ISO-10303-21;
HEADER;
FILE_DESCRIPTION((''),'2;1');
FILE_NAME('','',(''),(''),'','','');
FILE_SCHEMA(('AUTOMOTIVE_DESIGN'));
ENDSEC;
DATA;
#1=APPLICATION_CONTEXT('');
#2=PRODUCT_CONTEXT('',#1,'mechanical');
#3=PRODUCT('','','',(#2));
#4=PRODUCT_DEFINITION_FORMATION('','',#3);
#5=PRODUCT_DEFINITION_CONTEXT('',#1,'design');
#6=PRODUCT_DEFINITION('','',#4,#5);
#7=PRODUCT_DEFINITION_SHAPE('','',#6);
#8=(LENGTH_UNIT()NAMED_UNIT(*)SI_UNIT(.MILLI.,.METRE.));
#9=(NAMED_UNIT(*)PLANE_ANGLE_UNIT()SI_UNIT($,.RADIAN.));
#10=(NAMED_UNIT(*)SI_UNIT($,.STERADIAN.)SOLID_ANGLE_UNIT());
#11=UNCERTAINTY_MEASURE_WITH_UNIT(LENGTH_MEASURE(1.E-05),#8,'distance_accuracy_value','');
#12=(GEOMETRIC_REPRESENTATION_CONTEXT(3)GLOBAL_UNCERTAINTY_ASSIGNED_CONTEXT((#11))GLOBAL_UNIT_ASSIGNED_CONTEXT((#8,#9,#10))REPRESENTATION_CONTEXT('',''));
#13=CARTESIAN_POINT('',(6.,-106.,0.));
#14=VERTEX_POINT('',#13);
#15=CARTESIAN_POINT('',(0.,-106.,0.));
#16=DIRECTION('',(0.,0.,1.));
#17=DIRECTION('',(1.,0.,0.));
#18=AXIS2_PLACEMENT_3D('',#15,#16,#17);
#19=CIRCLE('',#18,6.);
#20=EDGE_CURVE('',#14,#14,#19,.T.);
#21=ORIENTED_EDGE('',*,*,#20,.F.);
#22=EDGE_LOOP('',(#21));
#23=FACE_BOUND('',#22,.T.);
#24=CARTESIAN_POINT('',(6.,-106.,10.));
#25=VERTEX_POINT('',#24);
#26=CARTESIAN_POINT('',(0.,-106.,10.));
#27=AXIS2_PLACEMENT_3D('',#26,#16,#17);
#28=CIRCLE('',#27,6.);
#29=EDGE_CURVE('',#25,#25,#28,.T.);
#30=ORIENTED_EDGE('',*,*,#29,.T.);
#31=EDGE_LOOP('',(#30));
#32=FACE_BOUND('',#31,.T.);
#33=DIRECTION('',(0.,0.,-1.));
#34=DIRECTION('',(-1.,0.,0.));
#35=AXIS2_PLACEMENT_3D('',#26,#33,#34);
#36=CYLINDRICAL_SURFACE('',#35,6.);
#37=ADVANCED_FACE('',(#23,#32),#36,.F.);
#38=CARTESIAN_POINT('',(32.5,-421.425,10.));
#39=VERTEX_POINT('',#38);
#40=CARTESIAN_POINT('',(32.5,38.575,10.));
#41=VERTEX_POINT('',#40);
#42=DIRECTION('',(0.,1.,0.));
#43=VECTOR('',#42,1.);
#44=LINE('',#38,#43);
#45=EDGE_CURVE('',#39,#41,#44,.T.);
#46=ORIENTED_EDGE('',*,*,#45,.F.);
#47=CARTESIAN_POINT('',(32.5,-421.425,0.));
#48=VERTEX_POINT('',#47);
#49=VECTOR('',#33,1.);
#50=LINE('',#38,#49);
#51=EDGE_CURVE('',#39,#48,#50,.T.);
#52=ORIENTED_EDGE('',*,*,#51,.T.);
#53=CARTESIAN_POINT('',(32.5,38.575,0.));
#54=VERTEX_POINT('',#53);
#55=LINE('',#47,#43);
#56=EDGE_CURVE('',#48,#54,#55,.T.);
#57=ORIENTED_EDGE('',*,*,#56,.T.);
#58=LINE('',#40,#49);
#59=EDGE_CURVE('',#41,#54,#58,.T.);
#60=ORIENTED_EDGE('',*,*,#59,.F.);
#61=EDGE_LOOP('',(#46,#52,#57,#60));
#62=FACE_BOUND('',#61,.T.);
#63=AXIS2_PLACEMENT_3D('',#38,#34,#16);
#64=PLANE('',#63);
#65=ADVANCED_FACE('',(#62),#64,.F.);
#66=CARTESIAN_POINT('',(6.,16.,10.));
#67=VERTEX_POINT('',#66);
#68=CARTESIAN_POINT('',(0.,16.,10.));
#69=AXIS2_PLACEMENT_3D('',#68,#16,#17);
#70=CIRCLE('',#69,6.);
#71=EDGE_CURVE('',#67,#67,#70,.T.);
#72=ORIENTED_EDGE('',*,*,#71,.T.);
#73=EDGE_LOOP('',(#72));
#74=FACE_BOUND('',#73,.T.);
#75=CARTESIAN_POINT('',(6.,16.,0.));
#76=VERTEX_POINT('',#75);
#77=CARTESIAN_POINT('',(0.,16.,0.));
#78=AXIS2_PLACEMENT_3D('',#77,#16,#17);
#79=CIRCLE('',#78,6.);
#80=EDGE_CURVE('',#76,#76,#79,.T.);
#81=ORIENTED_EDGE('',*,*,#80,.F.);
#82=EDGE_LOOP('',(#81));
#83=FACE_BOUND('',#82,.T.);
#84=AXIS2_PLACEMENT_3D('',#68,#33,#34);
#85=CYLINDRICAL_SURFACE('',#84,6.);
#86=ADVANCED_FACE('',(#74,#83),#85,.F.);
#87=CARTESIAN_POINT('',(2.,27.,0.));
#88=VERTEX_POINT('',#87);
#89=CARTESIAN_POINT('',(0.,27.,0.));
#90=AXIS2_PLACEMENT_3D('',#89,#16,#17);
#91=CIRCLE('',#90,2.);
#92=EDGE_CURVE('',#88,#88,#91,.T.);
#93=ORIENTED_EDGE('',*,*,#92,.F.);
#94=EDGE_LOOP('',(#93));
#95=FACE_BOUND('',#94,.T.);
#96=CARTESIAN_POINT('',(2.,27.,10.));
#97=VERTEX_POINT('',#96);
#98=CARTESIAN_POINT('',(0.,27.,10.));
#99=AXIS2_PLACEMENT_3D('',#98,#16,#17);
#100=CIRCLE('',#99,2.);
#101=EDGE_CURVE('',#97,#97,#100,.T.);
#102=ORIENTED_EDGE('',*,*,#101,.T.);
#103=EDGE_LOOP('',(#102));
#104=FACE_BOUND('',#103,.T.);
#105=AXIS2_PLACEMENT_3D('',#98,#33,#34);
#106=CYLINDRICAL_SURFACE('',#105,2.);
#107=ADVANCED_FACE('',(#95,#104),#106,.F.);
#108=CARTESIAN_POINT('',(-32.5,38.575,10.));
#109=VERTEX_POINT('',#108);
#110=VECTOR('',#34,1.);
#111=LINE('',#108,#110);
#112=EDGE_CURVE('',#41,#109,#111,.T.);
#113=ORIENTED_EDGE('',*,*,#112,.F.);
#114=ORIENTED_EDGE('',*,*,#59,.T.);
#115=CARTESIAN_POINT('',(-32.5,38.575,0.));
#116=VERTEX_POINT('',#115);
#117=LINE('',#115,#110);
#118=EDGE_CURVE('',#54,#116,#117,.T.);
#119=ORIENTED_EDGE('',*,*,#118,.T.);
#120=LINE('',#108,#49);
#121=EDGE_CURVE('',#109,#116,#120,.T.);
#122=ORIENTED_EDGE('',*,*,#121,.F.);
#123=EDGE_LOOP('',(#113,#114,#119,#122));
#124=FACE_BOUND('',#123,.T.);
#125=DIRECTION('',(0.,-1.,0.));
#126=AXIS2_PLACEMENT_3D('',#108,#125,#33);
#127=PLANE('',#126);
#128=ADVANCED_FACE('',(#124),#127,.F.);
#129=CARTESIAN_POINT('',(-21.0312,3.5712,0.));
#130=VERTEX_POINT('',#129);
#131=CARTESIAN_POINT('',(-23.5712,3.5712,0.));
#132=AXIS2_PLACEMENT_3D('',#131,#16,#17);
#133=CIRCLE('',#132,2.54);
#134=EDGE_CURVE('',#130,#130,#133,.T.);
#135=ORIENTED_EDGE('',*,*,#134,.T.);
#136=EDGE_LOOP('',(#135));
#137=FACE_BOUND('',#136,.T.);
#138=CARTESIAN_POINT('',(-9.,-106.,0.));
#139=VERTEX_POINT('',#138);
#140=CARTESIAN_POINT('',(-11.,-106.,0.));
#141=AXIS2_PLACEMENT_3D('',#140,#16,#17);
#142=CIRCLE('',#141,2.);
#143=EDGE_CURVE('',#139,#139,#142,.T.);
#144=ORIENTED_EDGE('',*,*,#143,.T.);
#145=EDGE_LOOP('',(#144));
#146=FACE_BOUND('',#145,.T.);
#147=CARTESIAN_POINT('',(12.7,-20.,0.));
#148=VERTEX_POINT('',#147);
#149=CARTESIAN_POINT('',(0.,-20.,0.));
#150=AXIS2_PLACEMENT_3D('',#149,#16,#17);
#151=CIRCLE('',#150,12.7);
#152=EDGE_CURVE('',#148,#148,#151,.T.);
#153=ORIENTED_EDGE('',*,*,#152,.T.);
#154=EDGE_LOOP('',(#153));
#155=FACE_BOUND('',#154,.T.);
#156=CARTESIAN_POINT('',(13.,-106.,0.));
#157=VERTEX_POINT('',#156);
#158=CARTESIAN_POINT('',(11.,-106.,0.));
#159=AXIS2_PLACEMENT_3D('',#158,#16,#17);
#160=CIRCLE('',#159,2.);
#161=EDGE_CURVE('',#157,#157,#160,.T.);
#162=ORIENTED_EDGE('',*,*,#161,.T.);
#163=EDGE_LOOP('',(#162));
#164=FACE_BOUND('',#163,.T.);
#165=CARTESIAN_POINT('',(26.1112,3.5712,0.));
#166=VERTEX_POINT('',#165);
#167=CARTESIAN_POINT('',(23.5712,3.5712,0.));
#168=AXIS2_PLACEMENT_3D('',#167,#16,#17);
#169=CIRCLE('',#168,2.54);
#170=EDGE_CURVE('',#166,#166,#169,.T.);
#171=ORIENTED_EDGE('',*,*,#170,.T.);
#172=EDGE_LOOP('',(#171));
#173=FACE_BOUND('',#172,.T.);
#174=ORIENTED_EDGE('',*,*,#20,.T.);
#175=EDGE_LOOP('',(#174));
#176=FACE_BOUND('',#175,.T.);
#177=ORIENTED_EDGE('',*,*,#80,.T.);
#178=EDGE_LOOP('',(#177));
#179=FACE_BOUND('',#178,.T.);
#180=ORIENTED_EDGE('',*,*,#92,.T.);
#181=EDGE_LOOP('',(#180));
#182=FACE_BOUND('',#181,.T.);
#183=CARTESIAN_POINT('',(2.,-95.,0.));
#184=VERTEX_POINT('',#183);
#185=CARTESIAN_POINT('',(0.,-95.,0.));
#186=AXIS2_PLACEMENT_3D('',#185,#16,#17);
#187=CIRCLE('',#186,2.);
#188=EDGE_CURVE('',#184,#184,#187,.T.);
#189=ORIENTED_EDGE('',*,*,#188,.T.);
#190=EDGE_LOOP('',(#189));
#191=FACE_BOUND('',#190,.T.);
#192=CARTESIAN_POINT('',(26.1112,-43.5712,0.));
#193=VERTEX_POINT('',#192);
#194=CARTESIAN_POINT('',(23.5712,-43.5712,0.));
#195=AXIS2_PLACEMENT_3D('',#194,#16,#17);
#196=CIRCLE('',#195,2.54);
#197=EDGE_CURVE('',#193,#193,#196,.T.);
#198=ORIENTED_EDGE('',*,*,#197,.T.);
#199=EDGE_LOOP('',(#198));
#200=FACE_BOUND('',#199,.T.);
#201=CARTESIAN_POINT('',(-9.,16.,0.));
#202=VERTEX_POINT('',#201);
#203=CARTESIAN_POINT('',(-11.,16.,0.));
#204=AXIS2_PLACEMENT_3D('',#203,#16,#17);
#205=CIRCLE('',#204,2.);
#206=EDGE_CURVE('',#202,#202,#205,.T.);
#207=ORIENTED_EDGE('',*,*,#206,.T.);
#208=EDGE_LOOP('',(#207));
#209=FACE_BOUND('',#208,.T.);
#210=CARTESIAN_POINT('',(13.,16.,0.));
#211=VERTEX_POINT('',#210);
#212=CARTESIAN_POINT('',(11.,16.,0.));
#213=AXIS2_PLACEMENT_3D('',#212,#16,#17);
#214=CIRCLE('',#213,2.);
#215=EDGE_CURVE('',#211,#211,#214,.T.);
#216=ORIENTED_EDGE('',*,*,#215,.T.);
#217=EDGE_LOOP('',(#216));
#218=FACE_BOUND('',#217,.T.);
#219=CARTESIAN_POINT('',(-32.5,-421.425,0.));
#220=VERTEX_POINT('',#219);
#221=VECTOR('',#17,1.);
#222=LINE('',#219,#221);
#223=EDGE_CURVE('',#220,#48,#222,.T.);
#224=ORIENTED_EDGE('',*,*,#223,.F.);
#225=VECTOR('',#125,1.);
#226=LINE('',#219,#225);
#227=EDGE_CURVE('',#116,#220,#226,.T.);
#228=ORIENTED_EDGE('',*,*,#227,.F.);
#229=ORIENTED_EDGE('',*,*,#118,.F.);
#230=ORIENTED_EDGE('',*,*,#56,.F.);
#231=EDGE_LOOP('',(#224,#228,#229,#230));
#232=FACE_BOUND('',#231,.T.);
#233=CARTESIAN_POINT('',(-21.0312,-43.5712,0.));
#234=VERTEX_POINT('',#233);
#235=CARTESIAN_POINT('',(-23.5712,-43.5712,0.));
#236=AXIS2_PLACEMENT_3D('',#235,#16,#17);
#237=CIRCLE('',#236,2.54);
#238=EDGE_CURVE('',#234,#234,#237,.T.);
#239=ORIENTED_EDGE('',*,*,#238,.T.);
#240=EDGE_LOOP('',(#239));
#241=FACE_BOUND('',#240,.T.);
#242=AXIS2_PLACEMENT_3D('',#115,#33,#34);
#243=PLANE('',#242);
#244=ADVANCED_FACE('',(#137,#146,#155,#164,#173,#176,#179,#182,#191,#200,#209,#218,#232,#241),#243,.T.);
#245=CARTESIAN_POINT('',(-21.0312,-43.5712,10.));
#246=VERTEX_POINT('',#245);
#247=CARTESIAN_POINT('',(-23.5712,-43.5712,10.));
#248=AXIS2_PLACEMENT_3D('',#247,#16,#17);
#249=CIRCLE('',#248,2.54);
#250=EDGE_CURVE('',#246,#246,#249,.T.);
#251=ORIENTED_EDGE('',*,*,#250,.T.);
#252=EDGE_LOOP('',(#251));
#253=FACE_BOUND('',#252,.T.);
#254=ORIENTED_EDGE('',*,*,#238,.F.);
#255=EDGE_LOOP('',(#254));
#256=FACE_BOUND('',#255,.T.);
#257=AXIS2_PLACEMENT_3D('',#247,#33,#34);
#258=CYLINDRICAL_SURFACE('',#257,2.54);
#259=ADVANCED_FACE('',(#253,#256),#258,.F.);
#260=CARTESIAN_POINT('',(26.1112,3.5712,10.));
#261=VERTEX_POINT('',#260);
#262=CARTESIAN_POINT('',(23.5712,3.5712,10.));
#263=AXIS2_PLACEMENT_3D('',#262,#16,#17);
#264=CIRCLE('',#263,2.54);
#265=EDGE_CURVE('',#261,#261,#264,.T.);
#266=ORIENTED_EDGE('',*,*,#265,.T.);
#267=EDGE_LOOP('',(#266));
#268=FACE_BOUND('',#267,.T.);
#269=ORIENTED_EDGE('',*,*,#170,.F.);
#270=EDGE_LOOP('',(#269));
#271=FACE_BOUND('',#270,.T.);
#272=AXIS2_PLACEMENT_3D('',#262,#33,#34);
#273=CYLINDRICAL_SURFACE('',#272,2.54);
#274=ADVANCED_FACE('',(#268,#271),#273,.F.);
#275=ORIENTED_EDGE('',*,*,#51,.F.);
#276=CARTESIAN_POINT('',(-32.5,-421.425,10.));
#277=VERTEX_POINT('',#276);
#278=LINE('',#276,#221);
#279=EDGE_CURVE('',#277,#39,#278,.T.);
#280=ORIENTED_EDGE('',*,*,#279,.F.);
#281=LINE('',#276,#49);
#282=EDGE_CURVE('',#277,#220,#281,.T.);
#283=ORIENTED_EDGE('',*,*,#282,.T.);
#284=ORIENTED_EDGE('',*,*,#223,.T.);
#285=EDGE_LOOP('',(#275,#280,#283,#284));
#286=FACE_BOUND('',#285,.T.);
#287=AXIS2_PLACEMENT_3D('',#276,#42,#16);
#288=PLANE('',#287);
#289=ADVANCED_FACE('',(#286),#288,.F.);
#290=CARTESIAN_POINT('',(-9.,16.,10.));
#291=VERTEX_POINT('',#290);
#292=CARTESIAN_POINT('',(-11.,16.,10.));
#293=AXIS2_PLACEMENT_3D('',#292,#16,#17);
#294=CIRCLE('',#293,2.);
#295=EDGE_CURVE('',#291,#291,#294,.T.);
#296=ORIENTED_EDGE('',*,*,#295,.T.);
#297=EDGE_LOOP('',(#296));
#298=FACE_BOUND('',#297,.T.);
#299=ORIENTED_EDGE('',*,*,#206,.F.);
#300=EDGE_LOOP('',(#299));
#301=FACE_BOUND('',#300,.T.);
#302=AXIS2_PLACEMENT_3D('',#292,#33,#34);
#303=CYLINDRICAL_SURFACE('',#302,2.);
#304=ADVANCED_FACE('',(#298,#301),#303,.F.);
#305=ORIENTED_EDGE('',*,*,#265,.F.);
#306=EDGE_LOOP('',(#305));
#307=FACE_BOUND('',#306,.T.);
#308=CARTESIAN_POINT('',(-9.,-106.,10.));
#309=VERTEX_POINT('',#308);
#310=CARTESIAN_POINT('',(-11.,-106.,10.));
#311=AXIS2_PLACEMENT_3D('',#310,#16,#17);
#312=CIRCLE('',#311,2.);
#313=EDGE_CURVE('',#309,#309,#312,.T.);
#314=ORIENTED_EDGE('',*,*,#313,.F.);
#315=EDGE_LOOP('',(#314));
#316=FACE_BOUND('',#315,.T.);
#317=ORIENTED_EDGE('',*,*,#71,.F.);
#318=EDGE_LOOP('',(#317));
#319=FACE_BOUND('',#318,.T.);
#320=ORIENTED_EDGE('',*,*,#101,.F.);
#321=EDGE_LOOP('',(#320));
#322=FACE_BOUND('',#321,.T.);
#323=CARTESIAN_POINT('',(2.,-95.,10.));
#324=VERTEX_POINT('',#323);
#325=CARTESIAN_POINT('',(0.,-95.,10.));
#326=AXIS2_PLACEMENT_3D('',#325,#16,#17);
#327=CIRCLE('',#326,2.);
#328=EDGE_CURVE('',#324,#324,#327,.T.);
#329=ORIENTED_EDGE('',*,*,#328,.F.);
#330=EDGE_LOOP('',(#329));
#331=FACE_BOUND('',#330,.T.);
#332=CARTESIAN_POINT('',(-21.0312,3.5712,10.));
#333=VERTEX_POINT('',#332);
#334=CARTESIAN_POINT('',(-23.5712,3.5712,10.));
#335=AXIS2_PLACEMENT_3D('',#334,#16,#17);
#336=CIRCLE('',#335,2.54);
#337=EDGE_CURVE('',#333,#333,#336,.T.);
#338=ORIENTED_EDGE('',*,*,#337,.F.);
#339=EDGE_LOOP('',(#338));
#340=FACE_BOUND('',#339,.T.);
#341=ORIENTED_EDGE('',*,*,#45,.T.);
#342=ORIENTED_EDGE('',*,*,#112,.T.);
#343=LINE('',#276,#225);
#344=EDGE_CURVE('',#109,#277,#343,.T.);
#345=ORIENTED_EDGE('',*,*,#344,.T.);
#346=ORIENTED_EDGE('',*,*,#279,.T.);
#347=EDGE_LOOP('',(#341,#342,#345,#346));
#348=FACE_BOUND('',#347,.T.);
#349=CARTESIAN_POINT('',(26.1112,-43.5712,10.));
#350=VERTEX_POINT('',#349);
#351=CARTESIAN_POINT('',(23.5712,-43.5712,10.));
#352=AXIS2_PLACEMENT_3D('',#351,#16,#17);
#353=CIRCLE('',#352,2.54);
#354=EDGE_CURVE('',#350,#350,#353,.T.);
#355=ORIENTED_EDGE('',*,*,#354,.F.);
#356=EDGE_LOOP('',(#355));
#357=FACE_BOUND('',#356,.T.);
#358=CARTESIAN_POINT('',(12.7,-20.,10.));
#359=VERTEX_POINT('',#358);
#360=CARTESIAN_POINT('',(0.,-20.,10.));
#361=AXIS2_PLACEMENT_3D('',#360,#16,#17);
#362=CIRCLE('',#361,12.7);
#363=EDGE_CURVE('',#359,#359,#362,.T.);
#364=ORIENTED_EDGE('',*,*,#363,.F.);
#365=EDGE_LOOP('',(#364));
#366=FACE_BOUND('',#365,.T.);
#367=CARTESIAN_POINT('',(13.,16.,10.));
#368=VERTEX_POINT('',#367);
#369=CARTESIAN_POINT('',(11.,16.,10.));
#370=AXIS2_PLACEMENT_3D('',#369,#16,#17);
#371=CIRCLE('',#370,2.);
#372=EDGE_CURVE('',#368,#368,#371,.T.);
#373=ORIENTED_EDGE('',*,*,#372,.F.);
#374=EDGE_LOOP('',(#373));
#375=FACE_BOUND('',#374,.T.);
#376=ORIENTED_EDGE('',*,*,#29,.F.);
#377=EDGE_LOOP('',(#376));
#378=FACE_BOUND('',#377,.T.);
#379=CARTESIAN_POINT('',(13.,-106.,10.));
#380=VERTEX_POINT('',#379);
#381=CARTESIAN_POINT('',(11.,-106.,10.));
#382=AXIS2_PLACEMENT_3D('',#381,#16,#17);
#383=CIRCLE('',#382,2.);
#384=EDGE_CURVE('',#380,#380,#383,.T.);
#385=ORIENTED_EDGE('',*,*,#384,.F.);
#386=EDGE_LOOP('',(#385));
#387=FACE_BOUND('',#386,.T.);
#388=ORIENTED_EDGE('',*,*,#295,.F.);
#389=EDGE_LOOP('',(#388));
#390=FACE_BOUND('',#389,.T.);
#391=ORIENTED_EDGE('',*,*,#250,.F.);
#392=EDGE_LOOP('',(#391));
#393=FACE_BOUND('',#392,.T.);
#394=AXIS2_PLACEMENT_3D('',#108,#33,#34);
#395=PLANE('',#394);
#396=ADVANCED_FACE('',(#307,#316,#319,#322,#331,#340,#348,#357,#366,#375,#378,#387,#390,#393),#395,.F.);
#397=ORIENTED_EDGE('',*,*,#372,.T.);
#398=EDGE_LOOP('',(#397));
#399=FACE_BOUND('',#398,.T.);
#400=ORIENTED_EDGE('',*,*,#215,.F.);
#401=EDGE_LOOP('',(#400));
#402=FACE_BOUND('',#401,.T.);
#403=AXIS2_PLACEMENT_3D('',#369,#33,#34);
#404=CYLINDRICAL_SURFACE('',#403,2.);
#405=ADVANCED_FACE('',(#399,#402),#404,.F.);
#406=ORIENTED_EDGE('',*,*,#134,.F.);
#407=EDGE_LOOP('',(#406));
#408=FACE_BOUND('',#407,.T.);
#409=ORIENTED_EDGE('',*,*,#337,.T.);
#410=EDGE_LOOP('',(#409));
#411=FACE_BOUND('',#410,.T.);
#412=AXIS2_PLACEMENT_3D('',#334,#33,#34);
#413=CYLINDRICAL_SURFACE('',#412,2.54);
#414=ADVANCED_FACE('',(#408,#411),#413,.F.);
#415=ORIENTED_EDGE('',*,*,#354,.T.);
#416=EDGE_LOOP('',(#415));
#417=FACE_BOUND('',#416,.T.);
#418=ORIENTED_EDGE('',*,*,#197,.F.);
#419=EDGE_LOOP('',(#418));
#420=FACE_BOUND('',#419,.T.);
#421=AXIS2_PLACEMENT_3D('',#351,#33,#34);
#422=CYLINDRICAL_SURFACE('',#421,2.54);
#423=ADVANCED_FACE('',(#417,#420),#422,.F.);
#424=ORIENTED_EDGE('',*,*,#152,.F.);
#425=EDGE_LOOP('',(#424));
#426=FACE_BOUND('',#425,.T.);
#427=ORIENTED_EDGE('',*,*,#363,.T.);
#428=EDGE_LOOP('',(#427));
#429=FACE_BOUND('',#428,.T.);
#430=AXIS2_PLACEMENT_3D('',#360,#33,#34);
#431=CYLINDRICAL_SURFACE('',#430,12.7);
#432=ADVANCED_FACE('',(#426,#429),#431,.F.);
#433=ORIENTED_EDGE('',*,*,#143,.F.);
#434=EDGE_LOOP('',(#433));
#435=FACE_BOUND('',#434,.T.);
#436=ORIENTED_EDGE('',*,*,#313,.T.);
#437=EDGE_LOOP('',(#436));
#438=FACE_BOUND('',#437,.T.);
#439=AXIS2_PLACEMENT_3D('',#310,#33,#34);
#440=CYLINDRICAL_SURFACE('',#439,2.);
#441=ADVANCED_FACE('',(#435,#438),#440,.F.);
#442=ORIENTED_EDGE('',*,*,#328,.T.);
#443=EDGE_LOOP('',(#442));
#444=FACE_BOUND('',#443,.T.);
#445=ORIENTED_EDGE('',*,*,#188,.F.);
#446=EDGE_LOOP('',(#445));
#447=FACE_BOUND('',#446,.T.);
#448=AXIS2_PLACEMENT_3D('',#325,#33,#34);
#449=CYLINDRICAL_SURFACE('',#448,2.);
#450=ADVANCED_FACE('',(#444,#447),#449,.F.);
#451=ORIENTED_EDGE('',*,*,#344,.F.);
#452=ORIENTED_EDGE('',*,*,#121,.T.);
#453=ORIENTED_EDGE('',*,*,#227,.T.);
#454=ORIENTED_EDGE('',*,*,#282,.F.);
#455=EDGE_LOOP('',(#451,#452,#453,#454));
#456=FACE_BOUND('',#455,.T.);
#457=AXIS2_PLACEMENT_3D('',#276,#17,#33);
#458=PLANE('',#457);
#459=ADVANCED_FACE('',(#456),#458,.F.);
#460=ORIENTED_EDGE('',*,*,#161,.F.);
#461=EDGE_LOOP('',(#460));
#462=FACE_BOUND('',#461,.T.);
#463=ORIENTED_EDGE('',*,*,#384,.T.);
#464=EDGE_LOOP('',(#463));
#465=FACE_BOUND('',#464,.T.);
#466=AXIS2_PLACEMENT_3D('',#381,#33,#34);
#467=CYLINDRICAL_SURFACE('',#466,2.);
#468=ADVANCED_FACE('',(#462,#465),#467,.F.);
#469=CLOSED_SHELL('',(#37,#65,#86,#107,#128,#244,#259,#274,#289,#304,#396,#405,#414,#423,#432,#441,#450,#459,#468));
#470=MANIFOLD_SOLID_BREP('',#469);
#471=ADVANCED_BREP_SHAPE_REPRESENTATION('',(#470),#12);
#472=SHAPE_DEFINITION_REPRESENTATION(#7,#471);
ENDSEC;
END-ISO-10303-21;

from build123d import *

# Parameters (mm, degrees)
SKETCH1_W           = 65
SKETCH1_H           = 460
SKETCH1_R           = 2.54
SKETCH1_R_2         = 6
SKETCH1_R_3         = 2
SKETCH1_R_4         = 12.7
BOSS_EXTRUDE1_DEPTH = 10


with BuildPart() as part:
    # Sketch1 → Boss-Extrude1 (new body)
    with BuildSketch(Plane.XY):
        with Locations((0, -191.425)):
            Rectangle(SKETCH1_W, SKETCH1_H)
        with Locations((-23.5712, 3.5712)):
            Circle(SKETCH1_R, mode=Mode.SUBTRACT)
        with Locations((23.5712, 3.5712)):
            Circle(SKETCH1_R, mode=Mode.SUBTRACT)
        with Locations((23.5712, -43.5712)):
            Circle(SKETCH1_R, mode=Mode.SUBTRACT)
        with Locations((-23.5712, -43.5712)):
            Circle(SKETCH1_R, mode=Mode.SUBTRACT)
        with Locations((0, -106)):
            Circle(SKETCH1_R_2, mode=Mode.SUBTRACT)
        with Locations((11, -106)):
            Circle(SKETCH1_R_3, mode=Mode.SUBTRACT)
        with Locations((0, -20)):
            Circle(SKETCH1_R_4, mode=Mode.SUBTRACT)
        with Locations((0, -95)):
            Circle(SKETCH1_R_3, mode=Mode.SUBTRACT)
        with Locations((0, 16)):
            Circle(SKETCH1_R_2, mode=Mode.SUBTRACT)
        with Locations((11, 16)):
            Circle(SKETCH1_R_3, mode=Mode.SUBTRACT)
        with Locations((-11, -106)):
            Circle(SKETCH1_R_3, mode=Mode.SUBTRACT)
        with Locations((0, 27)):
            Circle(SKETCH1_R_3, mode=Mode.SUBTRACT)
        with Locations((-11, 16)):
            Circle(SKETCH1_R_3, mode=Mode.SUBTRACT)
    extrude(amount=BOSS_EXTRUDE1_DEPTH)


solid = part.part
